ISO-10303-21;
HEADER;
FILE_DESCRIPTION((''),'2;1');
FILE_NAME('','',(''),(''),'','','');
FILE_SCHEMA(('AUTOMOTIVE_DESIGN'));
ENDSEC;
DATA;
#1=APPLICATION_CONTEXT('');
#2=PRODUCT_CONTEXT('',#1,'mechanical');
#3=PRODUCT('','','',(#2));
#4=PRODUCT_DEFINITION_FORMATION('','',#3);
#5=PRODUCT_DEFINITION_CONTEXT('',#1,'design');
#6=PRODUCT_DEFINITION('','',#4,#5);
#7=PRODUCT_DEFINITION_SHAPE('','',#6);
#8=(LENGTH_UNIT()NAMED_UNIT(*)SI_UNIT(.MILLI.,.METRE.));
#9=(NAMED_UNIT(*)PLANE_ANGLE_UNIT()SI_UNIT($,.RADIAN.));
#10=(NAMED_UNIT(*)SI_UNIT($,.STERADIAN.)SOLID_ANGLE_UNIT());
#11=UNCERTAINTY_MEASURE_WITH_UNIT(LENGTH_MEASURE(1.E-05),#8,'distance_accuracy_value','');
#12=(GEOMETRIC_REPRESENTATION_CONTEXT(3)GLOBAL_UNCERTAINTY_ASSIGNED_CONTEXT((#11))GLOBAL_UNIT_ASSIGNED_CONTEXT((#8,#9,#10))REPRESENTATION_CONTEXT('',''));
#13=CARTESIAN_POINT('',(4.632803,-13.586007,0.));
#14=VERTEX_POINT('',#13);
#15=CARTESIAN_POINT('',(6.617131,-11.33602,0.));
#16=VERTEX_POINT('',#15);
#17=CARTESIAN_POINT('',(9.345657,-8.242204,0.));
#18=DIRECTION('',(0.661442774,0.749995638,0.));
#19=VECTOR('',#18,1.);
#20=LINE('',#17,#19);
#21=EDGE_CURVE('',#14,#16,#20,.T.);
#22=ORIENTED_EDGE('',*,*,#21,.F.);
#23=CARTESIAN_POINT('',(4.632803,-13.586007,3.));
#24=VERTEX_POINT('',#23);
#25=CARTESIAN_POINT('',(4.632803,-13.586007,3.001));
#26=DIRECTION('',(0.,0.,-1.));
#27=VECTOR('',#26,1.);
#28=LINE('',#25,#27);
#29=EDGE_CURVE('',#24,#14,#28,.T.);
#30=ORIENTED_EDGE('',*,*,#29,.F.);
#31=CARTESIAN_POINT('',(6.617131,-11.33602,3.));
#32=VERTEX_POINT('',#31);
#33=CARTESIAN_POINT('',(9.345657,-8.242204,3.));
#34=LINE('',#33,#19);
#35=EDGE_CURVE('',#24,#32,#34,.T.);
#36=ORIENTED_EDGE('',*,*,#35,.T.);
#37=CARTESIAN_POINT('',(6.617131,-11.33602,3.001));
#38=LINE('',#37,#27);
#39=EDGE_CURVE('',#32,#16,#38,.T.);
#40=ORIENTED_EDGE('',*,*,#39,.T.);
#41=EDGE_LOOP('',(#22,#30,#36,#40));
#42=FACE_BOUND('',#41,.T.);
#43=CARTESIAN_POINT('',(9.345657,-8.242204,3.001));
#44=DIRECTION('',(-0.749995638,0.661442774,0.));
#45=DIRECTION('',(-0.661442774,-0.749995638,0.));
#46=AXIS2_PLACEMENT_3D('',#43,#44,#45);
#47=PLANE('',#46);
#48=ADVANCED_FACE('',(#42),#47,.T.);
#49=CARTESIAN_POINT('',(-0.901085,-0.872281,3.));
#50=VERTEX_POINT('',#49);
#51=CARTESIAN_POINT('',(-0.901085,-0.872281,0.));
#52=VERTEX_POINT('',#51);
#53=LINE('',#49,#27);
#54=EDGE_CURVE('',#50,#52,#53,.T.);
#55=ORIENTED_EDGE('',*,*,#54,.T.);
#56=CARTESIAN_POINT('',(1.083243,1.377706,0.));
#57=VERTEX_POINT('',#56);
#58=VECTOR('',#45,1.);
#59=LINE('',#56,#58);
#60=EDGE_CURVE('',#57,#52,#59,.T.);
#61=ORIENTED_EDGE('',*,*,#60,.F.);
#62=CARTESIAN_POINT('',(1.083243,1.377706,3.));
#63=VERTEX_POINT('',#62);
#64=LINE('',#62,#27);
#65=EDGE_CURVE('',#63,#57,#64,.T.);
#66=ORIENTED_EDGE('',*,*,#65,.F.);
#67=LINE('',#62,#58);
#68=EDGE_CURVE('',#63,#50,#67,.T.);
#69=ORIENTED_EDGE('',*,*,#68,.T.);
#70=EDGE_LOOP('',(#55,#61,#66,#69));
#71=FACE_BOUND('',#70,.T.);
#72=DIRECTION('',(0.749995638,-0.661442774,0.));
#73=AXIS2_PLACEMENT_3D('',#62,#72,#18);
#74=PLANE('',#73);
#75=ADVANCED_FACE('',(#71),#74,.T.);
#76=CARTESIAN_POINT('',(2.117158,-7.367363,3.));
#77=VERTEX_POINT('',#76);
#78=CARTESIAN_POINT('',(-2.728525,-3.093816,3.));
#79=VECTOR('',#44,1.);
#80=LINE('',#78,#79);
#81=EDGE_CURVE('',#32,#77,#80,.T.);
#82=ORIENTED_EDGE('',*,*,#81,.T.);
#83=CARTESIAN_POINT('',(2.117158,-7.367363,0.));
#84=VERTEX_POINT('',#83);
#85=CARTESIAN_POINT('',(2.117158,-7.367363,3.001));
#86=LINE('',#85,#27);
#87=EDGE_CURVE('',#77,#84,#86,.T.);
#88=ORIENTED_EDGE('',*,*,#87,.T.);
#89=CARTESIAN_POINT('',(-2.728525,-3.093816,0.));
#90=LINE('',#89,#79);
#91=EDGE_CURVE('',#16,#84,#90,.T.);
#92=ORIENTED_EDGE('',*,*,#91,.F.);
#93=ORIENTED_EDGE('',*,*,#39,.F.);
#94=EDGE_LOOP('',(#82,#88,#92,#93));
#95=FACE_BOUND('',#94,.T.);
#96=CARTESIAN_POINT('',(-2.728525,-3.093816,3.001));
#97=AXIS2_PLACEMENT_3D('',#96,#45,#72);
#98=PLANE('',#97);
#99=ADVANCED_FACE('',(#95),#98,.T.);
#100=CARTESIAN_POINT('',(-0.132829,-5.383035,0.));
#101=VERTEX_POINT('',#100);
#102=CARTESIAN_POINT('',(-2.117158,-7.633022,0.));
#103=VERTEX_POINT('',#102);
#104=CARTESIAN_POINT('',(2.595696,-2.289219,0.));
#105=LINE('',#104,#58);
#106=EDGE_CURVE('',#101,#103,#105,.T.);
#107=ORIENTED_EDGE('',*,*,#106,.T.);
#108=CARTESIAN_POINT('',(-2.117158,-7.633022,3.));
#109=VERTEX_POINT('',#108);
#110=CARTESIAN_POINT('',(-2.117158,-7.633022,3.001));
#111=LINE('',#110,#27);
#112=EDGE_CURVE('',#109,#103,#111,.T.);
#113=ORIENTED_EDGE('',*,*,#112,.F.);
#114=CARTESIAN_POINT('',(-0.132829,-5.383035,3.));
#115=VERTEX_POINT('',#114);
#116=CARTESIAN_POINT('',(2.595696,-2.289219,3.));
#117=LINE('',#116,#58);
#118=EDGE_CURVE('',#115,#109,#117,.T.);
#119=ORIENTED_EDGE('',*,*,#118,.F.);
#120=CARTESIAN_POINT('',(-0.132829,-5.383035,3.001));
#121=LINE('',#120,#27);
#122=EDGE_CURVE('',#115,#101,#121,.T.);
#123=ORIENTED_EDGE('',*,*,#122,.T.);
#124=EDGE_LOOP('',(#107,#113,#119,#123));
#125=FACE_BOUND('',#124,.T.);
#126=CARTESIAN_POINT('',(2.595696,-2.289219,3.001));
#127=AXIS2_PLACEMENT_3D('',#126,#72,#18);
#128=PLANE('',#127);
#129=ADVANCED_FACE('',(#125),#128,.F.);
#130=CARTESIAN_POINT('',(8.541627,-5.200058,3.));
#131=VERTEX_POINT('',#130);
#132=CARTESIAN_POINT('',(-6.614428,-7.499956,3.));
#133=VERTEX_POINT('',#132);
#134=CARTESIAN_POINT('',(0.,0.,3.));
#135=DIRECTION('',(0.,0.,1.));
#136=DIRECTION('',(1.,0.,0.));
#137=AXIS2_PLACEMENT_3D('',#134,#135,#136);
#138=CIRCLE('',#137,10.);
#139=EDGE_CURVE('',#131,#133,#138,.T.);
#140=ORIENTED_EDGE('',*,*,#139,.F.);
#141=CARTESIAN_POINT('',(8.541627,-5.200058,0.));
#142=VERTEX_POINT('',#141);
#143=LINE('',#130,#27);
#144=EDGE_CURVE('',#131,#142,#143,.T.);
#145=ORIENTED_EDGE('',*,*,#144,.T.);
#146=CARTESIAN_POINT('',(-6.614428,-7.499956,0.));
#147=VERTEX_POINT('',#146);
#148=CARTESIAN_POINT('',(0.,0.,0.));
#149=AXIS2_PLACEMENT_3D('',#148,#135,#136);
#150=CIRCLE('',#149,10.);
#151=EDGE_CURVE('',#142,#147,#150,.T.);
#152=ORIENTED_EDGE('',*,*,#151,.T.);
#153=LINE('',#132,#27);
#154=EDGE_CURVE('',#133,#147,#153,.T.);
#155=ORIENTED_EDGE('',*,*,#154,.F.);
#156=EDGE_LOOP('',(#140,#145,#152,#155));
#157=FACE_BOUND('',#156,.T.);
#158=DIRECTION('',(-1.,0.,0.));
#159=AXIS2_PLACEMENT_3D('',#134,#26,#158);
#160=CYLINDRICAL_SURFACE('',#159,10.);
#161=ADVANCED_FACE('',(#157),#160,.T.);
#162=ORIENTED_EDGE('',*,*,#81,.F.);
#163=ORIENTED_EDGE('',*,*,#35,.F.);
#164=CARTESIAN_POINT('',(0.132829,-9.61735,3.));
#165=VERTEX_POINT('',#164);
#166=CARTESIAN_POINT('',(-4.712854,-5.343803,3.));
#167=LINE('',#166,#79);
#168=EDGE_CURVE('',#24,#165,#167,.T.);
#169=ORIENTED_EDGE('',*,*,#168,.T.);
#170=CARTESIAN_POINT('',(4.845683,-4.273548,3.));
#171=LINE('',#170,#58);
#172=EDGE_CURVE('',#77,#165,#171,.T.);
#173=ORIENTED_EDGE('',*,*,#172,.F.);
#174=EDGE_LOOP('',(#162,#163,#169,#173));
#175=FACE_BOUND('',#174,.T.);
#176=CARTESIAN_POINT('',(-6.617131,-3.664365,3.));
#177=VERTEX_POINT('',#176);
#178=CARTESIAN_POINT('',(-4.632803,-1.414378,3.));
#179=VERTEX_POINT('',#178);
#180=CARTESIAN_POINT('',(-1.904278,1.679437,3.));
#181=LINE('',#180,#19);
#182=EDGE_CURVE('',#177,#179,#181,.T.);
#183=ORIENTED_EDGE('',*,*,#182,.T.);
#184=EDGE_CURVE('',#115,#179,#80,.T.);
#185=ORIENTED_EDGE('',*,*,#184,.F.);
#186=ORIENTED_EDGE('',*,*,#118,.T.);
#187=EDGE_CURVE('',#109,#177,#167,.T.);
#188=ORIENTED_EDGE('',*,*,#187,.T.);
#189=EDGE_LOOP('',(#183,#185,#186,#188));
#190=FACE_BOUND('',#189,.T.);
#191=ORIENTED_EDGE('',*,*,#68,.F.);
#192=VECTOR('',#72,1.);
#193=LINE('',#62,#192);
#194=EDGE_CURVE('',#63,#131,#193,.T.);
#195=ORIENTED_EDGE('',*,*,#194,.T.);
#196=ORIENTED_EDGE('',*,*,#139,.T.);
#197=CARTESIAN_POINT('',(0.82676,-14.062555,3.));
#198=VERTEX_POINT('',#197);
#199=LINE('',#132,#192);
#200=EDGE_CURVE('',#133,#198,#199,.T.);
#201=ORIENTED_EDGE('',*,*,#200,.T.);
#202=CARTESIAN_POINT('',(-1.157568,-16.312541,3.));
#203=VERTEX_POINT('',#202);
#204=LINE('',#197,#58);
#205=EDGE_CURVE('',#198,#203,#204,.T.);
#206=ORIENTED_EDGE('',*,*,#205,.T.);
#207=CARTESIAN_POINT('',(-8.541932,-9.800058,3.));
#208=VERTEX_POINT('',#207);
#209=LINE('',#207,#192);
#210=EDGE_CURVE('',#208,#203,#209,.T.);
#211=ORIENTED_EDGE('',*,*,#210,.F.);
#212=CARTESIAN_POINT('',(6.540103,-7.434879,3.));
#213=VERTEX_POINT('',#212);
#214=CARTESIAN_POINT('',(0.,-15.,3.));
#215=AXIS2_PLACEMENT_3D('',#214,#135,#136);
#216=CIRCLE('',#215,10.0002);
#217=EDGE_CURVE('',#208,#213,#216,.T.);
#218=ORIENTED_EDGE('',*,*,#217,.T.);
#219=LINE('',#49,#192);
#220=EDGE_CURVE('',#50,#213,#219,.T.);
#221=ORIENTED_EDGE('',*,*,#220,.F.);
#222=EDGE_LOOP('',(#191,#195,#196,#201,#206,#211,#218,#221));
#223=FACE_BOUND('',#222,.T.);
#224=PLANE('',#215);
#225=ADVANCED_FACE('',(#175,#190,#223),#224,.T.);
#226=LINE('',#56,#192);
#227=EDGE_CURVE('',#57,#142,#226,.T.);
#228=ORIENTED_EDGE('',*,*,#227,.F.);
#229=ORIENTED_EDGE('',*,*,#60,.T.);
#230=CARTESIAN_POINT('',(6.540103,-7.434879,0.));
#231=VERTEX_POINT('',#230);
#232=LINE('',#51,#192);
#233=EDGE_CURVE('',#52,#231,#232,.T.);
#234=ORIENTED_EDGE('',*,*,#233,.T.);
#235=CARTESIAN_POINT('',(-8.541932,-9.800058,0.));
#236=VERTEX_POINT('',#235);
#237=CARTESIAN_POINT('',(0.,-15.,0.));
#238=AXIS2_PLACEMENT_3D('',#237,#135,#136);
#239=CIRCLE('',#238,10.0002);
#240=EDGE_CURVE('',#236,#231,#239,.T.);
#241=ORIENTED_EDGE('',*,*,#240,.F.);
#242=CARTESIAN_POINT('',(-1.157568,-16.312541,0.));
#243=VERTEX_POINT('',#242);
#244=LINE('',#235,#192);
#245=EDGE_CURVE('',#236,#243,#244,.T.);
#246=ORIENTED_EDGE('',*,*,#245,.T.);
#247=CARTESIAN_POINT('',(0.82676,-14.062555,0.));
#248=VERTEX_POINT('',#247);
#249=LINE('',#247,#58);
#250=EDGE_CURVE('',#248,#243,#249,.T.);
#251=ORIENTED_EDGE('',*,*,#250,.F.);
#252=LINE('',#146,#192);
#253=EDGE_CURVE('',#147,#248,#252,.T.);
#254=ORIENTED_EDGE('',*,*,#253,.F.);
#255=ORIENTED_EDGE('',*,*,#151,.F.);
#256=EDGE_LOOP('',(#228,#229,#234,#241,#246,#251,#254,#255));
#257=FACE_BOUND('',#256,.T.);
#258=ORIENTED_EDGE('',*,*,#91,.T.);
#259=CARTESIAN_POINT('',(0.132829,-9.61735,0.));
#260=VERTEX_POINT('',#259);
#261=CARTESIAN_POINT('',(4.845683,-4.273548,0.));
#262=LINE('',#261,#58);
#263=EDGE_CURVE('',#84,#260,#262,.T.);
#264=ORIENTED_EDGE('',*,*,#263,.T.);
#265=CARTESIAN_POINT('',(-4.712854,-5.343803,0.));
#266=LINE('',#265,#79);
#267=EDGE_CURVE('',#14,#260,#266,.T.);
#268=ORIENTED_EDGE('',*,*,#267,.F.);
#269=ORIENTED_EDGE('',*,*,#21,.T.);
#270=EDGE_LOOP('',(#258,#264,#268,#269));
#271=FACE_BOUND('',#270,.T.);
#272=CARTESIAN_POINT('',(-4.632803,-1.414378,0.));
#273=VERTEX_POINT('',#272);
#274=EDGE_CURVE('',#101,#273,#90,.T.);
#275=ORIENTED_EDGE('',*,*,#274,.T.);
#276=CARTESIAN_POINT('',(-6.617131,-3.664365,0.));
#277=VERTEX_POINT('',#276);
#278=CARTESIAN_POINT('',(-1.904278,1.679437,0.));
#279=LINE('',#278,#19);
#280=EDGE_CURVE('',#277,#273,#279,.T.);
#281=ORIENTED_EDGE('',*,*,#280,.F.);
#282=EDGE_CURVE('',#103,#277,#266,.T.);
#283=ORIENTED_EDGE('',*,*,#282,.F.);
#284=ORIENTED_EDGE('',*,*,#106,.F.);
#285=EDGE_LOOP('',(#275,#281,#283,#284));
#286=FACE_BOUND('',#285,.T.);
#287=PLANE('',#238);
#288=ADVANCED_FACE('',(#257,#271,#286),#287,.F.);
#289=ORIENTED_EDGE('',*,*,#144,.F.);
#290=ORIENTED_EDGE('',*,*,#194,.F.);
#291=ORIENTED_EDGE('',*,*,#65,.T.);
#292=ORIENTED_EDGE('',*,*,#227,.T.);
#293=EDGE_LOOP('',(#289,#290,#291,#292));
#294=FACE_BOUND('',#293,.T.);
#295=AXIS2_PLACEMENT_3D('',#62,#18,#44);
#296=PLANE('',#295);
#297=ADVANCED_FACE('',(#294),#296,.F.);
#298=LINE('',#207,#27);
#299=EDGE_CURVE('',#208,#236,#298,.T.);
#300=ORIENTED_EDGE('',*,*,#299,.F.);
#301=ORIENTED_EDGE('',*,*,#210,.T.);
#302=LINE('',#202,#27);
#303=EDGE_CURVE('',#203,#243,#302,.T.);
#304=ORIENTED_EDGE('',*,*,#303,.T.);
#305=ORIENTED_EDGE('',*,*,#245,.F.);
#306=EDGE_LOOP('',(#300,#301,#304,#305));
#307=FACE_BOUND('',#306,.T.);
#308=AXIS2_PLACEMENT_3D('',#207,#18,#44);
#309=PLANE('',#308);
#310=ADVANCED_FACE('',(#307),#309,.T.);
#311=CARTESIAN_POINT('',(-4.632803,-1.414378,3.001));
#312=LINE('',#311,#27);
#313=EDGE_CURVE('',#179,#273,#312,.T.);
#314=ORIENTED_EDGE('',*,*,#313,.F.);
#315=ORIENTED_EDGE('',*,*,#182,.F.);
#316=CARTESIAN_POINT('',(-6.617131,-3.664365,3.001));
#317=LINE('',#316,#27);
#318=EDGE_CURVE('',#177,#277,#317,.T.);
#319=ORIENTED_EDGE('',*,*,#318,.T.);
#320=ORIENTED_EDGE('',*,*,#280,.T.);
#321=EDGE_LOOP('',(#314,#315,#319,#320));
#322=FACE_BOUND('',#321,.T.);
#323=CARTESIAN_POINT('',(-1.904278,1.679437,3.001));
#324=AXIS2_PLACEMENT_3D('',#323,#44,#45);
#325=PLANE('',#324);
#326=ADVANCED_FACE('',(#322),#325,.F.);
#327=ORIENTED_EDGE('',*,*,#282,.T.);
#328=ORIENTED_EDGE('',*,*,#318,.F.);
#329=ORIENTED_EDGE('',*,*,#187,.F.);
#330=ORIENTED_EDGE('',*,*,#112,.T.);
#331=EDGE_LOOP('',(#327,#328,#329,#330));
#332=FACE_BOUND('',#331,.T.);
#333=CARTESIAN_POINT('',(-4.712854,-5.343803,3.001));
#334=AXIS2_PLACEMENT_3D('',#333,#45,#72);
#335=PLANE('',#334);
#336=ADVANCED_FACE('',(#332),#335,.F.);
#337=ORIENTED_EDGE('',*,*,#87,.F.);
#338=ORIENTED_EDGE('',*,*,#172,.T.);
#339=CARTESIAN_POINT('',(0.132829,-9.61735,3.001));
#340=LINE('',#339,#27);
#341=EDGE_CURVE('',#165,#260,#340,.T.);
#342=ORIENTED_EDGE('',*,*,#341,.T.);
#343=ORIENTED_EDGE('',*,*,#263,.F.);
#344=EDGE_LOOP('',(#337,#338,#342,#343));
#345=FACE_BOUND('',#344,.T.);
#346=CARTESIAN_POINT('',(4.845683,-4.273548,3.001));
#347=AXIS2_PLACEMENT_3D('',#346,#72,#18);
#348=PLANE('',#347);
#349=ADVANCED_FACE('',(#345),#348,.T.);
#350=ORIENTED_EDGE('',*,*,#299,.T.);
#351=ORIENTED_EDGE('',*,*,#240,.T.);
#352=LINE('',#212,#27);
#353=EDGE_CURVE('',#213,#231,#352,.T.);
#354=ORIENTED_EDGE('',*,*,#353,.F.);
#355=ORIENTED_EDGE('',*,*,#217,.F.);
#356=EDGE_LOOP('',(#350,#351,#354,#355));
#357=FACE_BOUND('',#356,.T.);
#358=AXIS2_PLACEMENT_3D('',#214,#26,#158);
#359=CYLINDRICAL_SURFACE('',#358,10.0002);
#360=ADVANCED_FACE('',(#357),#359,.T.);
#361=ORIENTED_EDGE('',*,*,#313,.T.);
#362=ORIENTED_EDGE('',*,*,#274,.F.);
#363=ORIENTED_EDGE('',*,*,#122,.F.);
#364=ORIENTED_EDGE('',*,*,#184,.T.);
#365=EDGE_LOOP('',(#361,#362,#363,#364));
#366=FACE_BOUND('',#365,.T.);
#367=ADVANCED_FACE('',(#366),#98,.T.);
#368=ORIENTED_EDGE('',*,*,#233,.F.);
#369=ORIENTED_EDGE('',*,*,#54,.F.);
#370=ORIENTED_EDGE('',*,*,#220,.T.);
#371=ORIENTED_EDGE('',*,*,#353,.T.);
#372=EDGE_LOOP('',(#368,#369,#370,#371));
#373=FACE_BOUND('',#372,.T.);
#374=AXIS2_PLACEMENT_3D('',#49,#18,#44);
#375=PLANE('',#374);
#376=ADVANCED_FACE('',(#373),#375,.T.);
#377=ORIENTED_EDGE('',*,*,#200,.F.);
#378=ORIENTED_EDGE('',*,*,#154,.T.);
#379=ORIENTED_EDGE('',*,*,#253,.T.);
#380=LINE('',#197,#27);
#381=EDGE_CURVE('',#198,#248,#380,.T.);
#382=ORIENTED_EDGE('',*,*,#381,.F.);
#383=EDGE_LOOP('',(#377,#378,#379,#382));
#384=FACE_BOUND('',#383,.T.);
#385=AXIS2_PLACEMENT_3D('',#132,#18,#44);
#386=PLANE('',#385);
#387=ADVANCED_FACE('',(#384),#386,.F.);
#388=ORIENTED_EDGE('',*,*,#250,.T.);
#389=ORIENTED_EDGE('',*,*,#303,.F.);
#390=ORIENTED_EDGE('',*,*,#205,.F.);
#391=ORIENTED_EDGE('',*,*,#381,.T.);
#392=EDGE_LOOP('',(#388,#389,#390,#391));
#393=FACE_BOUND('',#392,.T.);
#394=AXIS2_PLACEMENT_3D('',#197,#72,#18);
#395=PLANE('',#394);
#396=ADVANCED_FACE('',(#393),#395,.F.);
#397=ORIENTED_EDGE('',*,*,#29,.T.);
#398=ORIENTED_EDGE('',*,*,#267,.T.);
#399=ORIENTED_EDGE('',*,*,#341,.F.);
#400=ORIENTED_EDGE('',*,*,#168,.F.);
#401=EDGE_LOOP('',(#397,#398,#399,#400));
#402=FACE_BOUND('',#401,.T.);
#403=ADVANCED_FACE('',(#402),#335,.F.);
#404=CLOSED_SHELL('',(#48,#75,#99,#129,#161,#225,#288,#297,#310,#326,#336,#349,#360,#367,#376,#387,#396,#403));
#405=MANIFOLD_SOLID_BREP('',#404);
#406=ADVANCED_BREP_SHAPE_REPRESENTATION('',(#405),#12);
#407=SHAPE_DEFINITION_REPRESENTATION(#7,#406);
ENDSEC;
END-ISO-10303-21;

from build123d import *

# Parameters (mm, degrees)
SALIENTE_EXTRUIR1_DEPTH = 3
CORTAR_EXTRUIR2_REACH   = 5


with BuildPart() as part:
    # Croquis1 → Saliente-Extruir1 (new body)
    with BuildSketch(Plane.XY):
        with BuildLine():
            Line((-6.614427743, -7.499956375), (0.826760185, -14.062554531))
            Line((0.826760185, -14.062554531), (-1.157568138, -16.312541443))
            Line((-1.157568138, -16.312541443), (-8.541931773, -9.80005827))
            ThreePointArc((-8.541931773, -9.80005827), (1.549305596, -24.879455682), (6.540102602, -7.434879356))
            Line((6.540102602, -7.434879356), (-0.901085326, -0.872281201))
            Line((-0.901085326, -0.872281201), (1.083242997, 1.377705712))
            Line((1.083242997, 1.377705712), (8.541627127, -5.20005827))
            ThreePointArc((8.541627127, -5.20005827), (-1.500302366, 9.886814088), (-6.614427743, -7.499956375))
        make_face()
    extrude(amount=SALIENTE_EXTRUIR1_DEPTH)

    # Croquis2 → Cortar-Extruir2 (cut, up to next)
    with BuildSketch(Plane(origin=(0, 0, 0), x_dir=(-1, 0, 0), z_dir=(0, 0, -1)), mode=Mode.PRIVATE) as cortar_extruir2_sk1:
        Polygon((-4.63280312, -13.586006872), (-0.132829295, -9.617350226), (-2.117157618, -7.367363313), (-6.617131443, -11.336019959), align=None)
    cortar_extruir2_tool1 = extrude(cortar_extruir2_sk1.sketch, amount=-CORTAR_EXTRUIR2_REACH, mode=Mode.PRIVATE) & part.part
    add(cortar_extruir2_tool1.solids().sort_by_distance((3.37498, -10.476685, 0))[0], mode=Mode.SUBTRACT)
    # Croquis2 → Cortar-Extruir2 (cut, up to next)
    with BuildSketch(Plane(origin=(0, 0, 0), x_dir=(-1, 0, 0), z_dir=(0, 0, -1)), mode=Mode.PRIVATE) as cortar_extruir2_sk2:
        Polygon((6.617131443, -3.664365257), (4.63280312, -1.414378344), (0.132829295, -5.38303499), (2.117157618, -7.633021903), align=None)
    cortar_extruir2_tool2 = extrude(cortar_extruir2_sk2.sketch, amount=-CORTAR_EXTRUIR2_REACH, mode=Mode.PRIVATE) & part.part
    add(cortar_extruir2_tool2.solids().sort_by_distance((-3.37498, -4.5237, 0))[0], mode=Mode.SUBTRACT)


solid = part.part
